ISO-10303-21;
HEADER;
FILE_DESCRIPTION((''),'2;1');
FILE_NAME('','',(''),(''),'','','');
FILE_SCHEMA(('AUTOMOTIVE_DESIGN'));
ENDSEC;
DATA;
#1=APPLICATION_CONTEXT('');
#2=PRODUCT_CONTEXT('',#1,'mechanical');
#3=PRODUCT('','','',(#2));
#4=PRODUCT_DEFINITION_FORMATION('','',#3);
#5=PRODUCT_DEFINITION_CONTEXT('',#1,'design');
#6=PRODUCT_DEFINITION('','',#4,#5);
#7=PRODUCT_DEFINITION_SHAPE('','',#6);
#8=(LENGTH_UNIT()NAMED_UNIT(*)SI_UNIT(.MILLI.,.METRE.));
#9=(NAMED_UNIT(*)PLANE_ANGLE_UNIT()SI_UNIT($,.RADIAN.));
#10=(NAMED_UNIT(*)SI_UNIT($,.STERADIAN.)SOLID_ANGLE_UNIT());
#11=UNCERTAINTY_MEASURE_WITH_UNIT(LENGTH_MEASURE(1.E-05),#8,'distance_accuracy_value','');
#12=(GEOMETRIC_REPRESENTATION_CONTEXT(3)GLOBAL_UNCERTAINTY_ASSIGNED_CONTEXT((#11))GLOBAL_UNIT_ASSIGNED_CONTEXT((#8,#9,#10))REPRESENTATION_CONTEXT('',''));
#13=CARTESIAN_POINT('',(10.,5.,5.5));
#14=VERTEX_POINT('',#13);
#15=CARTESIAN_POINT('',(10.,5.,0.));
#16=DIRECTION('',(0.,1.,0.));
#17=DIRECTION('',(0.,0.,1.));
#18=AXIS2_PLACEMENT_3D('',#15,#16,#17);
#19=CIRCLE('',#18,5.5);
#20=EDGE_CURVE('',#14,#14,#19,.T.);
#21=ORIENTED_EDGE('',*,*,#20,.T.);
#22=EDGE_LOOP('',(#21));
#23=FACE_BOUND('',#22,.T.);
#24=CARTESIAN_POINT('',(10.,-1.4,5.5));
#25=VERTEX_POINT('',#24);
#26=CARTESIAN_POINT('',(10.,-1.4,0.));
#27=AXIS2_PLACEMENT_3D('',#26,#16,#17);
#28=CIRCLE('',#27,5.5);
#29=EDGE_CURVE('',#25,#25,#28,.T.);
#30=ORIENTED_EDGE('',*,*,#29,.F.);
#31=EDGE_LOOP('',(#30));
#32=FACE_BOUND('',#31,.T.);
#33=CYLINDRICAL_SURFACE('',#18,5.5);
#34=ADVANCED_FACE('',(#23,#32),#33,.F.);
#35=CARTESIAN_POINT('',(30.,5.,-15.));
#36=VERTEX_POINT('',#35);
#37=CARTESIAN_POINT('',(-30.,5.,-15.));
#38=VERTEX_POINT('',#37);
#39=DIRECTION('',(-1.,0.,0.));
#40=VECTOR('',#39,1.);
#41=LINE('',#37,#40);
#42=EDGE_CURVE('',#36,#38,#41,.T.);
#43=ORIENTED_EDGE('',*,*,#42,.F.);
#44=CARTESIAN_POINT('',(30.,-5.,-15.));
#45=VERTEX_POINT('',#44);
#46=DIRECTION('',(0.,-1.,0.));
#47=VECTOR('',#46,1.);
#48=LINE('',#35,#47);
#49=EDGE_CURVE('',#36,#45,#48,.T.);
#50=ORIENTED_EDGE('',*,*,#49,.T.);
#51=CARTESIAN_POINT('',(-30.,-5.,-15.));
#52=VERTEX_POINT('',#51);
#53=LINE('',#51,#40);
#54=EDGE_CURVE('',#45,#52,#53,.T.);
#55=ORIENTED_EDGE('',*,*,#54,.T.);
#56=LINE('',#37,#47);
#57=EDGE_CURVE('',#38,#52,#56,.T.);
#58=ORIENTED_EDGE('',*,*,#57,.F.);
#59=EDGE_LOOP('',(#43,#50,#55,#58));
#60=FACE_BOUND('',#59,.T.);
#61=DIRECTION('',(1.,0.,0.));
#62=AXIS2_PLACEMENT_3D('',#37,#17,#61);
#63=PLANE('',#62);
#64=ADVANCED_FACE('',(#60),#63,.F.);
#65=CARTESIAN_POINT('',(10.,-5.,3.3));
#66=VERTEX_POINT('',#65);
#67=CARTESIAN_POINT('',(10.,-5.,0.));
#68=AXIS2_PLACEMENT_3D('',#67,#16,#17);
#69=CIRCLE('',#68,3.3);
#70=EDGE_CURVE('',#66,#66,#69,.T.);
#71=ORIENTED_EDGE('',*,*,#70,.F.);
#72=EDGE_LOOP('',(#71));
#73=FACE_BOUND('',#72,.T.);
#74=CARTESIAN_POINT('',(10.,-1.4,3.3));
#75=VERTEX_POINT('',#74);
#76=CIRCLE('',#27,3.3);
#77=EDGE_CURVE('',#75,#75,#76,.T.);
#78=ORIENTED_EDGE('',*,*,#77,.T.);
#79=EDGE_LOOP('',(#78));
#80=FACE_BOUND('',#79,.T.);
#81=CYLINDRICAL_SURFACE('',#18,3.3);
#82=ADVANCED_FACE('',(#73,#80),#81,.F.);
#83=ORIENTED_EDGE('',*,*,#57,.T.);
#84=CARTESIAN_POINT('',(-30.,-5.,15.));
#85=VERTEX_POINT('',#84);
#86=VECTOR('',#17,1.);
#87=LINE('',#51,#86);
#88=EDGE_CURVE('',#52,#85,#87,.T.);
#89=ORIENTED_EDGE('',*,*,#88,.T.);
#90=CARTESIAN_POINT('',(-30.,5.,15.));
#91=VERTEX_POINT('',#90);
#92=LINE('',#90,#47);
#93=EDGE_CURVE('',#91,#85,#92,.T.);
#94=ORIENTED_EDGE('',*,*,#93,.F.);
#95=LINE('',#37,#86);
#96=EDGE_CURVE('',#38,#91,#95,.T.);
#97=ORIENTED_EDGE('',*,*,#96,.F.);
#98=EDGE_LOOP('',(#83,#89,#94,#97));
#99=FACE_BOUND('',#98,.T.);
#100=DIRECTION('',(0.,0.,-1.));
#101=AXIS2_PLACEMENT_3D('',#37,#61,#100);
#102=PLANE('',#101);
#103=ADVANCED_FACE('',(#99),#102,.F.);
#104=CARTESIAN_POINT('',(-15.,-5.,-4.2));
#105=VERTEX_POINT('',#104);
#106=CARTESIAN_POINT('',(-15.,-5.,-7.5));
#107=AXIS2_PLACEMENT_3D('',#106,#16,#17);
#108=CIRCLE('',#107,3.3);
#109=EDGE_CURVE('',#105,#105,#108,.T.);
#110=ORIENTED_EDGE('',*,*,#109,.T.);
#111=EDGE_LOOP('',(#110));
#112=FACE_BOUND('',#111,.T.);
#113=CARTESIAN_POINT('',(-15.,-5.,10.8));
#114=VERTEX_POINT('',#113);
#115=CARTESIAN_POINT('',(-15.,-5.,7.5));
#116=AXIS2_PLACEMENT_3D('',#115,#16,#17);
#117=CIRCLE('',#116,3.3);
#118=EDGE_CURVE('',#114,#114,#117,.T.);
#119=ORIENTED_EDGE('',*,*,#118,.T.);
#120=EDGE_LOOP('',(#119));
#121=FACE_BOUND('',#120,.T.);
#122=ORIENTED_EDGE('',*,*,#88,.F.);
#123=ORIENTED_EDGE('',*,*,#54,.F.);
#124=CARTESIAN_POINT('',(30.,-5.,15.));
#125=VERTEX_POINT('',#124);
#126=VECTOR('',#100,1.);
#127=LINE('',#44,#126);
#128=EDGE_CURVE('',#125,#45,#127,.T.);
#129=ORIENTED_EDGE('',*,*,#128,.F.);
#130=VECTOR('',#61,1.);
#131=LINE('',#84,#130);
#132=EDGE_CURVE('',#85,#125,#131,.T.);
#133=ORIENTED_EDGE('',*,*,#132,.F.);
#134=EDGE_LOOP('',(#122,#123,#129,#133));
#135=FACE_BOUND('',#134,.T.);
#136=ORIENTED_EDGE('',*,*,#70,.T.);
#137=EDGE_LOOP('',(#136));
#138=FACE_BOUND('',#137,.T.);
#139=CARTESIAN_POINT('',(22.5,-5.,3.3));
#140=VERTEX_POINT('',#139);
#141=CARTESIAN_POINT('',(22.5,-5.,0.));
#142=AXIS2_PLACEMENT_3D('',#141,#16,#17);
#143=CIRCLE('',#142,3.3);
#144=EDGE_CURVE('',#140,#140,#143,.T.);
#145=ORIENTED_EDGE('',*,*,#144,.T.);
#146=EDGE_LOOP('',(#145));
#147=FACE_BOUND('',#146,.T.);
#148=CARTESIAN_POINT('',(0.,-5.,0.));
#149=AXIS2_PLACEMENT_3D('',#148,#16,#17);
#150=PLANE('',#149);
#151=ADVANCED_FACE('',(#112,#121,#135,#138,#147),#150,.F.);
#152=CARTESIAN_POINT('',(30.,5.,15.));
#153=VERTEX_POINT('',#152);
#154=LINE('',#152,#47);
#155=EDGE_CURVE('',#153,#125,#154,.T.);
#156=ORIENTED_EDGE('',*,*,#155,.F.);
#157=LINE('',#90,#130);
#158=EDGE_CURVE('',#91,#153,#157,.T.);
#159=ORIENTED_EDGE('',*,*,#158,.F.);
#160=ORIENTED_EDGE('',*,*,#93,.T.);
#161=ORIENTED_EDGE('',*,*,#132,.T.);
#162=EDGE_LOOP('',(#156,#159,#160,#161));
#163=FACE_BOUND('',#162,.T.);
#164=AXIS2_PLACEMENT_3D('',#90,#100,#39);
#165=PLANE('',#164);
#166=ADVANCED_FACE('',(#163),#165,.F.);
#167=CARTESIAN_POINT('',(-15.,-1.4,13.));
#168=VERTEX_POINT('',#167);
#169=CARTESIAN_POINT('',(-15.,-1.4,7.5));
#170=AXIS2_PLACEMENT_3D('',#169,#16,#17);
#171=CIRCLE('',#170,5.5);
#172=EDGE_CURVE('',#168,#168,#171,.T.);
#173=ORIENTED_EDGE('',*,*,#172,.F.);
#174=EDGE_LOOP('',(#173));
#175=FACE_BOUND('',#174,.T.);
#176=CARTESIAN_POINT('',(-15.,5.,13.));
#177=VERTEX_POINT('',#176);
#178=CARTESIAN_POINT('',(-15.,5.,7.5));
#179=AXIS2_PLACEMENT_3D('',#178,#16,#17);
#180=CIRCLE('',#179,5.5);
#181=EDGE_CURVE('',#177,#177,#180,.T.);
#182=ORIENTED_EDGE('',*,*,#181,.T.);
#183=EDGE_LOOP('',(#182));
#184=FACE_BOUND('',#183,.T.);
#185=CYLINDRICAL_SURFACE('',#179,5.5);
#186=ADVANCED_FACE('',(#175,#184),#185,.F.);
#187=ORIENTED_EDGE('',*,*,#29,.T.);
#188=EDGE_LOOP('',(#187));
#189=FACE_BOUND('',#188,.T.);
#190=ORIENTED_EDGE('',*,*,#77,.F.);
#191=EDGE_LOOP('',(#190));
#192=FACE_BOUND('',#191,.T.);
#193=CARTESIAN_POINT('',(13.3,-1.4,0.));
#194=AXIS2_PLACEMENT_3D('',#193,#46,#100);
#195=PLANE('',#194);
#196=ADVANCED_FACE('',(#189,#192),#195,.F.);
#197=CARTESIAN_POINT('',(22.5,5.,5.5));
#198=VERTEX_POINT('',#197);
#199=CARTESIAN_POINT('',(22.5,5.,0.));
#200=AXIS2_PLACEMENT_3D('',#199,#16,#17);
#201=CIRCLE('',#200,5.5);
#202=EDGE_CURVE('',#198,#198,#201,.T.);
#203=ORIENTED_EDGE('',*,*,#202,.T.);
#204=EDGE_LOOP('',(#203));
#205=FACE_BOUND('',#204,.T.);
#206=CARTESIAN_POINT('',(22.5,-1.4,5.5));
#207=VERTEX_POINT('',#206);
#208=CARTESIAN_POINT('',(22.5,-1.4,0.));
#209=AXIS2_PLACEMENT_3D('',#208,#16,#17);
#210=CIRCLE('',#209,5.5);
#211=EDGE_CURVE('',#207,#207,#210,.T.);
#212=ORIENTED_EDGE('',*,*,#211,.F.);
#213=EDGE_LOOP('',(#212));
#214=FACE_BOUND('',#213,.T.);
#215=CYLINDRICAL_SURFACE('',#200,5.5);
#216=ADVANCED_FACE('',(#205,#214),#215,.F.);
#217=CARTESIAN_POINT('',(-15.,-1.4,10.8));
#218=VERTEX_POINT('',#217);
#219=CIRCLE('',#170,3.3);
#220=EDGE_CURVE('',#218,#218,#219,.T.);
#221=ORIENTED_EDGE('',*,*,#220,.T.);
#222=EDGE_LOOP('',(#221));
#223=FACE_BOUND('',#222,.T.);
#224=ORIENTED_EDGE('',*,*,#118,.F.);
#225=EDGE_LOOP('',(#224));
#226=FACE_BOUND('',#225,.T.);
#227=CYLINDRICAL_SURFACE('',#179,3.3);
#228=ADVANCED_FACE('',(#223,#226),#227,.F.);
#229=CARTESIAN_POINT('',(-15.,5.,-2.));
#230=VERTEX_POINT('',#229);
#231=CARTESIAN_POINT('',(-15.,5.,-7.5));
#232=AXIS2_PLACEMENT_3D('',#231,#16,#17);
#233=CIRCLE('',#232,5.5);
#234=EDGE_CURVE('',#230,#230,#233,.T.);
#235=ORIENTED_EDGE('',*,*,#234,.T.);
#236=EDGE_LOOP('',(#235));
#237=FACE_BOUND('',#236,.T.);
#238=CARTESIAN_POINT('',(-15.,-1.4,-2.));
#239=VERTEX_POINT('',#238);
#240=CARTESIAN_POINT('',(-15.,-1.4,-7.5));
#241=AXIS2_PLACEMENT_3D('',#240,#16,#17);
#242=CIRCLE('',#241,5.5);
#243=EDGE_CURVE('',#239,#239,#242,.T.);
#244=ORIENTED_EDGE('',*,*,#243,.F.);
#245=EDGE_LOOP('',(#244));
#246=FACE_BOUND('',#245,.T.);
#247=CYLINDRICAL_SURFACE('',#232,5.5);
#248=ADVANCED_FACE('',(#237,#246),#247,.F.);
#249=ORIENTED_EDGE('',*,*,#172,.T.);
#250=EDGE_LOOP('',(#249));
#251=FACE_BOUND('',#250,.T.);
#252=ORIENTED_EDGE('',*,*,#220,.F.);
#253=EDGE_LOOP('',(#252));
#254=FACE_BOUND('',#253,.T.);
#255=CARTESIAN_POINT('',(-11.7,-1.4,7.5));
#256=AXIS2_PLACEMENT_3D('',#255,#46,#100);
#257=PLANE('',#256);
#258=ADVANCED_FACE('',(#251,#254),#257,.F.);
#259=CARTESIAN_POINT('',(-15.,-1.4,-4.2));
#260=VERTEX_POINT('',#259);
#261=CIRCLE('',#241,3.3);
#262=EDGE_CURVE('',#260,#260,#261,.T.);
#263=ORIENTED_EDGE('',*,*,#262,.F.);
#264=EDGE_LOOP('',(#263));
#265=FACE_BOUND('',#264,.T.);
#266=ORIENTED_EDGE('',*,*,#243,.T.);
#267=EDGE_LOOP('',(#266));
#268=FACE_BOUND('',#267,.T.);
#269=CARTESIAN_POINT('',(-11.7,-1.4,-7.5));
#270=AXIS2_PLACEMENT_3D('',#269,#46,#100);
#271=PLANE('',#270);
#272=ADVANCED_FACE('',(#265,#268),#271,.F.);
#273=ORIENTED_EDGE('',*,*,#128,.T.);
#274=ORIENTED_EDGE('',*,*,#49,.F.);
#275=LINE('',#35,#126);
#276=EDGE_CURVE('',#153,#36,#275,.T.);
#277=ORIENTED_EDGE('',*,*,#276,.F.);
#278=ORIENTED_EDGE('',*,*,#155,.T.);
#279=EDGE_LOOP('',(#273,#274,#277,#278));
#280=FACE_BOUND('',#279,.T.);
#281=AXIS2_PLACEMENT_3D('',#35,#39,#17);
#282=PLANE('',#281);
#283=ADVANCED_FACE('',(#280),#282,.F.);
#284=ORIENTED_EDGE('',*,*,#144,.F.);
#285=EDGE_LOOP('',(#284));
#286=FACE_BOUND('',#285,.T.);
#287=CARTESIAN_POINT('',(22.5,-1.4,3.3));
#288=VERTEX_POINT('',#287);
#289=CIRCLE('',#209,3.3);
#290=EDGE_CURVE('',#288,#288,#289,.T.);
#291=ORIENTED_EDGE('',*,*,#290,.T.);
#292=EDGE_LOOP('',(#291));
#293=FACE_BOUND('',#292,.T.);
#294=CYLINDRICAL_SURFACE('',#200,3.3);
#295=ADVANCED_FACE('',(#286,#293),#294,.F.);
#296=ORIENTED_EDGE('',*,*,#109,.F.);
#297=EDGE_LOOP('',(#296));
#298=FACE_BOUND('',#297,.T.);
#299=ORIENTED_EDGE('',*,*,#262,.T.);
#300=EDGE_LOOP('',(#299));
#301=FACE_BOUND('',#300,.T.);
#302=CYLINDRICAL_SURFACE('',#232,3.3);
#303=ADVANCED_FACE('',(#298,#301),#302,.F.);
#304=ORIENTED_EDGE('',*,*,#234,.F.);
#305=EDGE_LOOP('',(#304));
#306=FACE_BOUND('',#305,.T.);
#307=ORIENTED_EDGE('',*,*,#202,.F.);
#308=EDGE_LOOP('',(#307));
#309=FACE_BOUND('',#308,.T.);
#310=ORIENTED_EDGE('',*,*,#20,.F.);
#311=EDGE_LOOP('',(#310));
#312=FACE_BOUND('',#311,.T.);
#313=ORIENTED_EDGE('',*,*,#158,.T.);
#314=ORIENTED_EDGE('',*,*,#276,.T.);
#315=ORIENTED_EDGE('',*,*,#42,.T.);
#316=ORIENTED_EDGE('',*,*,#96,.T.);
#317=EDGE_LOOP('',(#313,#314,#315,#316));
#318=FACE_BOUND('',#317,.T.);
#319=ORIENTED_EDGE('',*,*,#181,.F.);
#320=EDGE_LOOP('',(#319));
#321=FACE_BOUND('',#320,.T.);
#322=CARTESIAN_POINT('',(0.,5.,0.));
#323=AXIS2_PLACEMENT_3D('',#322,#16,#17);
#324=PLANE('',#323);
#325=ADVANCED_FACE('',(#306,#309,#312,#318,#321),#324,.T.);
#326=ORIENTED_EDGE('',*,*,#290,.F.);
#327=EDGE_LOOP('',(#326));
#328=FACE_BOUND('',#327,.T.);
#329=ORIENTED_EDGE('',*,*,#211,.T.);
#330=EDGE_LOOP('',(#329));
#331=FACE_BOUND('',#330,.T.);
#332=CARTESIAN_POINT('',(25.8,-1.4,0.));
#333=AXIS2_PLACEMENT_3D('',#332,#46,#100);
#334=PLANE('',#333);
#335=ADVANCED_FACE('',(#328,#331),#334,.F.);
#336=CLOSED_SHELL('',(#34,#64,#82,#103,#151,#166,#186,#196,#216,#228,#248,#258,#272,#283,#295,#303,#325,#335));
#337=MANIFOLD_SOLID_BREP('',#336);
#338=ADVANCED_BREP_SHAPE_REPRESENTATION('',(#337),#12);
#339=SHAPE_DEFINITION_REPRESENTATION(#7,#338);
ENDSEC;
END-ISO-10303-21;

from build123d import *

# Parameters (mm, degrees)
SKETCH1_W                                           = 60
SKETCH1_H                                           = 30
BOSS_EXTRUDE1_DEPTH                                 = 5
CBORE_FOR_M6_HEX_SOCKET_HEAD_CAP_SCREW1_D           = 6.6
CBORE_FOR_M6_HEX_SOCKET_HEAD_CAP_SCREW1_CBORE_D     = 11
CBORE_FOR_M6_HEX_SOCKET_HEAD_CAP_SCREW1_CBORE_DEPTH = 6.4
CBORE_FOR_M6_HEX_SOCKET_HEAD_CAP_SCREW2_D           = 6.6
CBORE_FOR_M6_HEX_SOCKET_HEAD_CAP_SCREW2_CBORE_D     = 11
CBORE_FOR_M6_HEX_SOCKET_HEAD_CAP_SCREW2_CBORE_DEPTH = 6.4


with BuildPart() as part:
    # Sketch1 → Boss-Extrude1 (new, symmetric)
    with BuildSketch(Plane(origin=(0, 0, 0), x_dir=(1, 0, 0), z_dir=(0, 1, 0))):
        Rectangle(SKETCH1_W, SKETCH1_H)
    extrude(amount=BOSS_EXTRUDE1_DEPTH, both=True)

    # CBORE for M6 Hex Socket Head Cap Screw1 (through all)
    with Locations(Plane(origin=(0, 5, 0), x_dir=(1, 0, 0), z_dir=(0, 1, 0))):
        with Locations((-15, 7.5), (-15, -7.5)):
            CounterBoreHole(CBORE_FOR_M6_HEX_SOCKET_HEAD_CAP_SCREW1_D / 2, CBORE_FOR_M6_HEX_SOCKET_HEAD_CAP_SCREW1_CBORE_D / 2, CBORE_FOR_M6_HEX_SOCKET_HEAD_CAP_SCREW1_CBORE_DEPTH)

    # CBORE for M6 Hex Socket Head Cap Screw2 (through all)
    with Locations(Plane(origin=(0, 5, 0), x_dir=(1, 0, 0), z_dir=(0, 1, 0))):
        with Locations((10, 0), (22.5, 0)):
            CounterBoreHole(CBORE_FOR_M6_HEX_SOCKET_HEAD_CAP_SCREW2_D / 2, CBORE_FOR_M6_HEX_SOCKET_HEAD_CAP_SCREW2_CBORE_D / 2, CBORE_FOR_M6_HEX_SOCKET_HEAD_CAP_SCREW2_CBORE_DEPTH)


solid = part.part
